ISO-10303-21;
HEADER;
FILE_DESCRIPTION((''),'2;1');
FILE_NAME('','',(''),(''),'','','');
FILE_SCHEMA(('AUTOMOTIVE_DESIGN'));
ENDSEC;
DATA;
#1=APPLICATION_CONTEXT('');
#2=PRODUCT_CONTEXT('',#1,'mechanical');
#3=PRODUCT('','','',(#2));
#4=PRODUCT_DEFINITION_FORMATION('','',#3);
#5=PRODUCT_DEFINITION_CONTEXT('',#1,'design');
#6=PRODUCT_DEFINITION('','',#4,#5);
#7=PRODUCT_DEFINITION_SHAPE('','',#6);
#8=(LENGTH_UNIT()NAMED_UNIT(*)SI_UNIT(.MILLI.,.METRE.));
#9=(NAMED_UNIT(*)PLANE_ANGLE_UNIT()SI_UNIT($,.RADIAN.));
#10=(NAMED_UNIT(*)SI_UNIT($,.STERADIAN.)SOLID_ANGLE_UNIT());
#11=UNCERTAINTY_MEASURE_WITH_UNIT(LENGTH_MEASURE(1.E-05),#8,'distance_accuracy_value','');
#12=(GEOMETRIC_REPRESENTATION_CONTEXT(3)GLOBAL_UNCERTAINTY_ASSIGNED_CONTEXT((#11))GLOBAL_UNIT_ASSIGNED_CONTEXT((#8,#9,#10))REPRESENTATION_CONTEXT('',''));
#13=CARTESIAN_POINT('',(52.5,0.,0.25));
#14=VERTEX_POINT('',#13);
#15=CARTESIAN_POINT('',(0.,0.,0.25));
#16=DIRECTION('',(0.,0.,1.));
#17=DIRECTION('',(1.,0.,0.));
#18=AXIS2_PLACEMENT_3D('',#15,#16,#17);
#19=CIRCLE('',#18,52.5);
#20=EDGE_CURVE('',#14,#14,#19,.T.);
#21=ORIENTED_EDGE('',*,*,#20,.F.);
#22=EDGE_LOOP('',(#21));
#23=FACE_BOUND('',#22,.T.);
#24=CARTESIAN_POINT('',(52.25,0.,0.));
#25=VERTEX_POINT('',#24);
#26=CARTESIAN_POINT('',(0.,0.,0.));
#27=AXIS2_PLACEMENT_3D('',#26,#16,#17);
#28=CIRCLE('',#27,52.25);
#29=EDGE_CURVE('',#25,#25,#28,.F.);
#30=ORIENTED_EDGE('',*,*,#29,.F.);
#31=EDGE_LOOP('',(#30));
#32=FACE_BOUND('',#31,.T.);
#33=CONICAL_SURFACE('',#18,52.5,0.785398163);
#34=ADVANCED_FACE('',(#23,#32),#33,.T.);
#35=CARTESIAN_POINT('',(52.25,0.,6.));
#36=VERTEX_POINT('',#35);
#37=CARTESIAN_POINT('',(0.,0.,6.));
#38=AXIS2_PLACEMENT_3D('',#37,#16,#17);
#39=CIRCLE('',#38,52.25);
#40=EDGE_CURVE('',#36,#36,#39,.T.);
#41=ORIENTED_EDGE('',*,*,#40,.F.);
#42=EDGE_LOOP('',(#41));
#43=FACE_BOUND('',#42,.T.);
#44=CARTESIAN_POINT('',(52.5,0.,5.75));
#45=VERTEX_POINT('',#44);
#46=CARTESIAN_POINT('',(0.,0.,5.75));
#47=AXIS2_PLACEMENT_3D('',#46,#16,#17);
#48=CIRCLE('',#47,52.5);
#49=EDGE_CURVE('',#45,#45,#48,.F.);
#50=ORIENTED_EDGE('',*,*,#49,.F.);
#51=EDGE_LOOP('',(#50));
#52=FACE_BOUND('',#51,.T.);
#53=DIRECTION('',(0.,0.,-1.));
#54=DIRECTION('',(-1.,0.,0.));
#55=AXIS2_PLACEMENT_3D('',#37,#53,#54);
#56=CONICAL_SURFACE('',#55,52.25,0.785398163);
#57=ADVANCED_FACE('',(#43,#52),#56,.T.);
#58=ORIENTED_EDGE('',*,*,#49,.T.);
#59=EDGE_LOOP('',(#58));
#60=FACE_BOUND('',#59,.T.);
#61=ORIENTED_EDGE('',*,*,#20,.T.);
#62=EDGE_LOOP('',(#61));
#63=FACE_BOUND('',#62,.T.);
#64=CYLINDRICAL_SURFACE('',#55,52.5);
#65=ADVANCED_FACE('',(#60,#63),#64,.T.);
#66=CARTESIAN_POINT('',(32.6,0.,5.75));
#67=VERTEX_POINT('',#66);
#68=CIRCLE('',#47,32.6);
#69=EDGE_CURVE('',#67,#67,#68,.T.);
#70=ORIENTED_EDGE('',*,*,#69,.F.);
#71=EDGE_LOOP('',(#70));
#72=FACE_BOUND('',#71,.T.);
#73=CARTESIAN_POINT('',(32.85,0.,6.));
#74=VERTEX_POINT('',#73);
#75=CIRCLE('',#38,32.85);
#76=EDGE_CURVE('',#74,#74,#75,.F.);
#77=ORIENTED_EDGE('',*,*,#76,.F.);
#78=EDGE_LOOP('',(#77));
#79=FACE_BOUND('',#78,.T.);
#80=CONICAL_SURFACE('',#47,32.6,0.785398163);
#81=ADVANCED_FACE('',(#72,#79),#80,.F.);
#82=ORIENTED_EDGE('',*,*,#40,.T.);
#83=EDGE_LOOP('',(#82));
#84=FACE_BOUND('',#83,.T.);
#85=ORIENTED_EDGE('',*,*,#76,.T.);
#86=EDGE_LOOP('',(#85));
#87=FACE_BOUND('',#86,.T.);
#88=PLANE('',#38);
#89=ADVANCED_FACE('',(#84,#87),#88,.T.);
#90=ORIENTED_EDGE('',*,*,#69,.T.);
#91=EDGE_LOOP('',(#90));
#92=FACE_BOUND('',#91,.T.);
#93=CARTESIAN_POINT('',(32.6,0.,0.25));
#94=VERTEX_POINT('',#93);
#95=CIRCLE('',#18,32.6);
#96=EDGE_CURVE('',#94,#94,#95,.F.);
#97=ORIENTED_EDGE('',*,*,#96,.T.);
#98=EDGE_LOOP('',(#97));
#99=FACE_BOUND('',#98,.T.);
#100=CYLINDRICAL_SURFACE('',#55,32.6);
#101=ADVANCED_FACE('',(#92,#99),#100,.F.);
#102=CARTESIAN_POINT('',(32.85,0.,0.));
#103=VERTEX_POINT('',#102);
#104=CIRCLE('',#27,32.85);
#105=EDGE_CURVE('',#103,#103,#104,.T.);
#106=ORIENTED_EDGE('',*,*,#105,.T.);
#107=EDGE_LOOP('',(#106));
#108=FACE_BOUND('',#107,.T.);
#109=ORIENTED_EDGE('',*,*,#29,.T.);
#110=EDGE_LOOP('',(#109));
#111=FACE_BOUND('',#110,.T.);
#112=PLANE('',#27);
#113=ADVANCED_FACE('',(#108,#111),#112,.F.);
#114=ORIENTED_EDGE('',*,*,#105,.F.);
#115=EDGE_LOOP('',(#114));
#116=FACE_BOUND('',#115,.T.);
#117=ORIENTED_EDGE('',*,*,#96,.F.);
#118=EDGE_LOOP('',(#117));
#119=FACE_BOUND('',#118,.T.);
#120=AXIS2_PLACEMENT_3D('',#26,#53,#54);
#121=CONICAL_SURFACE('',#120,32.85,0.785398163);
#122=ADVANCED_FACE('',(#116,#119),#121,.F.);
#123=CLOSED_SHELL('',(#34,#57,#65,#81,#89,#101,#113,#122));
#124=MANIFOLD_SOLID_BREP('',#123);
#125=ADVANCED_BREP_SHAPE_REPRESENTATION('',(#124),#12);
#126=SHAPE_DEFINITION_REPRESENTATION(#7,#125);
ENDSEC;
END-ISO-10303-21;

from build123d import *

# Parameters (mm, degrees)
SKETCH1_R           = 52.5
SKETCH1_R_2         = 32.6
BOSS_EXTRUDE1_DEPTH = 6
CHAMFER1_SIZE       = 0.25


with BuildPart() as part:
    # Sketch1 → Boss-Extrude1 (new body)
    with BuildSketch(Plane.XY):
        Circle(SKETCH1_R)
        Circle(SKETCH1_R_2, mode=Mode.SUBTRACT)
    extrude(amount=BOSS_EXTRUDE1_DEPTH)

    # Chamfer1
    chamfer1_edges = [part.edges().sort_by_distance(p)[0] for p in [
        (-52.5, 0, 0),
        (-52.5, 0, 6),
        (-32.6, 0, 0),
        (-32.6, 0, 6),
    ]]
    chamfer(chamfer1_edges, length=CHAMFER1_SIZE)


solid = part.part
